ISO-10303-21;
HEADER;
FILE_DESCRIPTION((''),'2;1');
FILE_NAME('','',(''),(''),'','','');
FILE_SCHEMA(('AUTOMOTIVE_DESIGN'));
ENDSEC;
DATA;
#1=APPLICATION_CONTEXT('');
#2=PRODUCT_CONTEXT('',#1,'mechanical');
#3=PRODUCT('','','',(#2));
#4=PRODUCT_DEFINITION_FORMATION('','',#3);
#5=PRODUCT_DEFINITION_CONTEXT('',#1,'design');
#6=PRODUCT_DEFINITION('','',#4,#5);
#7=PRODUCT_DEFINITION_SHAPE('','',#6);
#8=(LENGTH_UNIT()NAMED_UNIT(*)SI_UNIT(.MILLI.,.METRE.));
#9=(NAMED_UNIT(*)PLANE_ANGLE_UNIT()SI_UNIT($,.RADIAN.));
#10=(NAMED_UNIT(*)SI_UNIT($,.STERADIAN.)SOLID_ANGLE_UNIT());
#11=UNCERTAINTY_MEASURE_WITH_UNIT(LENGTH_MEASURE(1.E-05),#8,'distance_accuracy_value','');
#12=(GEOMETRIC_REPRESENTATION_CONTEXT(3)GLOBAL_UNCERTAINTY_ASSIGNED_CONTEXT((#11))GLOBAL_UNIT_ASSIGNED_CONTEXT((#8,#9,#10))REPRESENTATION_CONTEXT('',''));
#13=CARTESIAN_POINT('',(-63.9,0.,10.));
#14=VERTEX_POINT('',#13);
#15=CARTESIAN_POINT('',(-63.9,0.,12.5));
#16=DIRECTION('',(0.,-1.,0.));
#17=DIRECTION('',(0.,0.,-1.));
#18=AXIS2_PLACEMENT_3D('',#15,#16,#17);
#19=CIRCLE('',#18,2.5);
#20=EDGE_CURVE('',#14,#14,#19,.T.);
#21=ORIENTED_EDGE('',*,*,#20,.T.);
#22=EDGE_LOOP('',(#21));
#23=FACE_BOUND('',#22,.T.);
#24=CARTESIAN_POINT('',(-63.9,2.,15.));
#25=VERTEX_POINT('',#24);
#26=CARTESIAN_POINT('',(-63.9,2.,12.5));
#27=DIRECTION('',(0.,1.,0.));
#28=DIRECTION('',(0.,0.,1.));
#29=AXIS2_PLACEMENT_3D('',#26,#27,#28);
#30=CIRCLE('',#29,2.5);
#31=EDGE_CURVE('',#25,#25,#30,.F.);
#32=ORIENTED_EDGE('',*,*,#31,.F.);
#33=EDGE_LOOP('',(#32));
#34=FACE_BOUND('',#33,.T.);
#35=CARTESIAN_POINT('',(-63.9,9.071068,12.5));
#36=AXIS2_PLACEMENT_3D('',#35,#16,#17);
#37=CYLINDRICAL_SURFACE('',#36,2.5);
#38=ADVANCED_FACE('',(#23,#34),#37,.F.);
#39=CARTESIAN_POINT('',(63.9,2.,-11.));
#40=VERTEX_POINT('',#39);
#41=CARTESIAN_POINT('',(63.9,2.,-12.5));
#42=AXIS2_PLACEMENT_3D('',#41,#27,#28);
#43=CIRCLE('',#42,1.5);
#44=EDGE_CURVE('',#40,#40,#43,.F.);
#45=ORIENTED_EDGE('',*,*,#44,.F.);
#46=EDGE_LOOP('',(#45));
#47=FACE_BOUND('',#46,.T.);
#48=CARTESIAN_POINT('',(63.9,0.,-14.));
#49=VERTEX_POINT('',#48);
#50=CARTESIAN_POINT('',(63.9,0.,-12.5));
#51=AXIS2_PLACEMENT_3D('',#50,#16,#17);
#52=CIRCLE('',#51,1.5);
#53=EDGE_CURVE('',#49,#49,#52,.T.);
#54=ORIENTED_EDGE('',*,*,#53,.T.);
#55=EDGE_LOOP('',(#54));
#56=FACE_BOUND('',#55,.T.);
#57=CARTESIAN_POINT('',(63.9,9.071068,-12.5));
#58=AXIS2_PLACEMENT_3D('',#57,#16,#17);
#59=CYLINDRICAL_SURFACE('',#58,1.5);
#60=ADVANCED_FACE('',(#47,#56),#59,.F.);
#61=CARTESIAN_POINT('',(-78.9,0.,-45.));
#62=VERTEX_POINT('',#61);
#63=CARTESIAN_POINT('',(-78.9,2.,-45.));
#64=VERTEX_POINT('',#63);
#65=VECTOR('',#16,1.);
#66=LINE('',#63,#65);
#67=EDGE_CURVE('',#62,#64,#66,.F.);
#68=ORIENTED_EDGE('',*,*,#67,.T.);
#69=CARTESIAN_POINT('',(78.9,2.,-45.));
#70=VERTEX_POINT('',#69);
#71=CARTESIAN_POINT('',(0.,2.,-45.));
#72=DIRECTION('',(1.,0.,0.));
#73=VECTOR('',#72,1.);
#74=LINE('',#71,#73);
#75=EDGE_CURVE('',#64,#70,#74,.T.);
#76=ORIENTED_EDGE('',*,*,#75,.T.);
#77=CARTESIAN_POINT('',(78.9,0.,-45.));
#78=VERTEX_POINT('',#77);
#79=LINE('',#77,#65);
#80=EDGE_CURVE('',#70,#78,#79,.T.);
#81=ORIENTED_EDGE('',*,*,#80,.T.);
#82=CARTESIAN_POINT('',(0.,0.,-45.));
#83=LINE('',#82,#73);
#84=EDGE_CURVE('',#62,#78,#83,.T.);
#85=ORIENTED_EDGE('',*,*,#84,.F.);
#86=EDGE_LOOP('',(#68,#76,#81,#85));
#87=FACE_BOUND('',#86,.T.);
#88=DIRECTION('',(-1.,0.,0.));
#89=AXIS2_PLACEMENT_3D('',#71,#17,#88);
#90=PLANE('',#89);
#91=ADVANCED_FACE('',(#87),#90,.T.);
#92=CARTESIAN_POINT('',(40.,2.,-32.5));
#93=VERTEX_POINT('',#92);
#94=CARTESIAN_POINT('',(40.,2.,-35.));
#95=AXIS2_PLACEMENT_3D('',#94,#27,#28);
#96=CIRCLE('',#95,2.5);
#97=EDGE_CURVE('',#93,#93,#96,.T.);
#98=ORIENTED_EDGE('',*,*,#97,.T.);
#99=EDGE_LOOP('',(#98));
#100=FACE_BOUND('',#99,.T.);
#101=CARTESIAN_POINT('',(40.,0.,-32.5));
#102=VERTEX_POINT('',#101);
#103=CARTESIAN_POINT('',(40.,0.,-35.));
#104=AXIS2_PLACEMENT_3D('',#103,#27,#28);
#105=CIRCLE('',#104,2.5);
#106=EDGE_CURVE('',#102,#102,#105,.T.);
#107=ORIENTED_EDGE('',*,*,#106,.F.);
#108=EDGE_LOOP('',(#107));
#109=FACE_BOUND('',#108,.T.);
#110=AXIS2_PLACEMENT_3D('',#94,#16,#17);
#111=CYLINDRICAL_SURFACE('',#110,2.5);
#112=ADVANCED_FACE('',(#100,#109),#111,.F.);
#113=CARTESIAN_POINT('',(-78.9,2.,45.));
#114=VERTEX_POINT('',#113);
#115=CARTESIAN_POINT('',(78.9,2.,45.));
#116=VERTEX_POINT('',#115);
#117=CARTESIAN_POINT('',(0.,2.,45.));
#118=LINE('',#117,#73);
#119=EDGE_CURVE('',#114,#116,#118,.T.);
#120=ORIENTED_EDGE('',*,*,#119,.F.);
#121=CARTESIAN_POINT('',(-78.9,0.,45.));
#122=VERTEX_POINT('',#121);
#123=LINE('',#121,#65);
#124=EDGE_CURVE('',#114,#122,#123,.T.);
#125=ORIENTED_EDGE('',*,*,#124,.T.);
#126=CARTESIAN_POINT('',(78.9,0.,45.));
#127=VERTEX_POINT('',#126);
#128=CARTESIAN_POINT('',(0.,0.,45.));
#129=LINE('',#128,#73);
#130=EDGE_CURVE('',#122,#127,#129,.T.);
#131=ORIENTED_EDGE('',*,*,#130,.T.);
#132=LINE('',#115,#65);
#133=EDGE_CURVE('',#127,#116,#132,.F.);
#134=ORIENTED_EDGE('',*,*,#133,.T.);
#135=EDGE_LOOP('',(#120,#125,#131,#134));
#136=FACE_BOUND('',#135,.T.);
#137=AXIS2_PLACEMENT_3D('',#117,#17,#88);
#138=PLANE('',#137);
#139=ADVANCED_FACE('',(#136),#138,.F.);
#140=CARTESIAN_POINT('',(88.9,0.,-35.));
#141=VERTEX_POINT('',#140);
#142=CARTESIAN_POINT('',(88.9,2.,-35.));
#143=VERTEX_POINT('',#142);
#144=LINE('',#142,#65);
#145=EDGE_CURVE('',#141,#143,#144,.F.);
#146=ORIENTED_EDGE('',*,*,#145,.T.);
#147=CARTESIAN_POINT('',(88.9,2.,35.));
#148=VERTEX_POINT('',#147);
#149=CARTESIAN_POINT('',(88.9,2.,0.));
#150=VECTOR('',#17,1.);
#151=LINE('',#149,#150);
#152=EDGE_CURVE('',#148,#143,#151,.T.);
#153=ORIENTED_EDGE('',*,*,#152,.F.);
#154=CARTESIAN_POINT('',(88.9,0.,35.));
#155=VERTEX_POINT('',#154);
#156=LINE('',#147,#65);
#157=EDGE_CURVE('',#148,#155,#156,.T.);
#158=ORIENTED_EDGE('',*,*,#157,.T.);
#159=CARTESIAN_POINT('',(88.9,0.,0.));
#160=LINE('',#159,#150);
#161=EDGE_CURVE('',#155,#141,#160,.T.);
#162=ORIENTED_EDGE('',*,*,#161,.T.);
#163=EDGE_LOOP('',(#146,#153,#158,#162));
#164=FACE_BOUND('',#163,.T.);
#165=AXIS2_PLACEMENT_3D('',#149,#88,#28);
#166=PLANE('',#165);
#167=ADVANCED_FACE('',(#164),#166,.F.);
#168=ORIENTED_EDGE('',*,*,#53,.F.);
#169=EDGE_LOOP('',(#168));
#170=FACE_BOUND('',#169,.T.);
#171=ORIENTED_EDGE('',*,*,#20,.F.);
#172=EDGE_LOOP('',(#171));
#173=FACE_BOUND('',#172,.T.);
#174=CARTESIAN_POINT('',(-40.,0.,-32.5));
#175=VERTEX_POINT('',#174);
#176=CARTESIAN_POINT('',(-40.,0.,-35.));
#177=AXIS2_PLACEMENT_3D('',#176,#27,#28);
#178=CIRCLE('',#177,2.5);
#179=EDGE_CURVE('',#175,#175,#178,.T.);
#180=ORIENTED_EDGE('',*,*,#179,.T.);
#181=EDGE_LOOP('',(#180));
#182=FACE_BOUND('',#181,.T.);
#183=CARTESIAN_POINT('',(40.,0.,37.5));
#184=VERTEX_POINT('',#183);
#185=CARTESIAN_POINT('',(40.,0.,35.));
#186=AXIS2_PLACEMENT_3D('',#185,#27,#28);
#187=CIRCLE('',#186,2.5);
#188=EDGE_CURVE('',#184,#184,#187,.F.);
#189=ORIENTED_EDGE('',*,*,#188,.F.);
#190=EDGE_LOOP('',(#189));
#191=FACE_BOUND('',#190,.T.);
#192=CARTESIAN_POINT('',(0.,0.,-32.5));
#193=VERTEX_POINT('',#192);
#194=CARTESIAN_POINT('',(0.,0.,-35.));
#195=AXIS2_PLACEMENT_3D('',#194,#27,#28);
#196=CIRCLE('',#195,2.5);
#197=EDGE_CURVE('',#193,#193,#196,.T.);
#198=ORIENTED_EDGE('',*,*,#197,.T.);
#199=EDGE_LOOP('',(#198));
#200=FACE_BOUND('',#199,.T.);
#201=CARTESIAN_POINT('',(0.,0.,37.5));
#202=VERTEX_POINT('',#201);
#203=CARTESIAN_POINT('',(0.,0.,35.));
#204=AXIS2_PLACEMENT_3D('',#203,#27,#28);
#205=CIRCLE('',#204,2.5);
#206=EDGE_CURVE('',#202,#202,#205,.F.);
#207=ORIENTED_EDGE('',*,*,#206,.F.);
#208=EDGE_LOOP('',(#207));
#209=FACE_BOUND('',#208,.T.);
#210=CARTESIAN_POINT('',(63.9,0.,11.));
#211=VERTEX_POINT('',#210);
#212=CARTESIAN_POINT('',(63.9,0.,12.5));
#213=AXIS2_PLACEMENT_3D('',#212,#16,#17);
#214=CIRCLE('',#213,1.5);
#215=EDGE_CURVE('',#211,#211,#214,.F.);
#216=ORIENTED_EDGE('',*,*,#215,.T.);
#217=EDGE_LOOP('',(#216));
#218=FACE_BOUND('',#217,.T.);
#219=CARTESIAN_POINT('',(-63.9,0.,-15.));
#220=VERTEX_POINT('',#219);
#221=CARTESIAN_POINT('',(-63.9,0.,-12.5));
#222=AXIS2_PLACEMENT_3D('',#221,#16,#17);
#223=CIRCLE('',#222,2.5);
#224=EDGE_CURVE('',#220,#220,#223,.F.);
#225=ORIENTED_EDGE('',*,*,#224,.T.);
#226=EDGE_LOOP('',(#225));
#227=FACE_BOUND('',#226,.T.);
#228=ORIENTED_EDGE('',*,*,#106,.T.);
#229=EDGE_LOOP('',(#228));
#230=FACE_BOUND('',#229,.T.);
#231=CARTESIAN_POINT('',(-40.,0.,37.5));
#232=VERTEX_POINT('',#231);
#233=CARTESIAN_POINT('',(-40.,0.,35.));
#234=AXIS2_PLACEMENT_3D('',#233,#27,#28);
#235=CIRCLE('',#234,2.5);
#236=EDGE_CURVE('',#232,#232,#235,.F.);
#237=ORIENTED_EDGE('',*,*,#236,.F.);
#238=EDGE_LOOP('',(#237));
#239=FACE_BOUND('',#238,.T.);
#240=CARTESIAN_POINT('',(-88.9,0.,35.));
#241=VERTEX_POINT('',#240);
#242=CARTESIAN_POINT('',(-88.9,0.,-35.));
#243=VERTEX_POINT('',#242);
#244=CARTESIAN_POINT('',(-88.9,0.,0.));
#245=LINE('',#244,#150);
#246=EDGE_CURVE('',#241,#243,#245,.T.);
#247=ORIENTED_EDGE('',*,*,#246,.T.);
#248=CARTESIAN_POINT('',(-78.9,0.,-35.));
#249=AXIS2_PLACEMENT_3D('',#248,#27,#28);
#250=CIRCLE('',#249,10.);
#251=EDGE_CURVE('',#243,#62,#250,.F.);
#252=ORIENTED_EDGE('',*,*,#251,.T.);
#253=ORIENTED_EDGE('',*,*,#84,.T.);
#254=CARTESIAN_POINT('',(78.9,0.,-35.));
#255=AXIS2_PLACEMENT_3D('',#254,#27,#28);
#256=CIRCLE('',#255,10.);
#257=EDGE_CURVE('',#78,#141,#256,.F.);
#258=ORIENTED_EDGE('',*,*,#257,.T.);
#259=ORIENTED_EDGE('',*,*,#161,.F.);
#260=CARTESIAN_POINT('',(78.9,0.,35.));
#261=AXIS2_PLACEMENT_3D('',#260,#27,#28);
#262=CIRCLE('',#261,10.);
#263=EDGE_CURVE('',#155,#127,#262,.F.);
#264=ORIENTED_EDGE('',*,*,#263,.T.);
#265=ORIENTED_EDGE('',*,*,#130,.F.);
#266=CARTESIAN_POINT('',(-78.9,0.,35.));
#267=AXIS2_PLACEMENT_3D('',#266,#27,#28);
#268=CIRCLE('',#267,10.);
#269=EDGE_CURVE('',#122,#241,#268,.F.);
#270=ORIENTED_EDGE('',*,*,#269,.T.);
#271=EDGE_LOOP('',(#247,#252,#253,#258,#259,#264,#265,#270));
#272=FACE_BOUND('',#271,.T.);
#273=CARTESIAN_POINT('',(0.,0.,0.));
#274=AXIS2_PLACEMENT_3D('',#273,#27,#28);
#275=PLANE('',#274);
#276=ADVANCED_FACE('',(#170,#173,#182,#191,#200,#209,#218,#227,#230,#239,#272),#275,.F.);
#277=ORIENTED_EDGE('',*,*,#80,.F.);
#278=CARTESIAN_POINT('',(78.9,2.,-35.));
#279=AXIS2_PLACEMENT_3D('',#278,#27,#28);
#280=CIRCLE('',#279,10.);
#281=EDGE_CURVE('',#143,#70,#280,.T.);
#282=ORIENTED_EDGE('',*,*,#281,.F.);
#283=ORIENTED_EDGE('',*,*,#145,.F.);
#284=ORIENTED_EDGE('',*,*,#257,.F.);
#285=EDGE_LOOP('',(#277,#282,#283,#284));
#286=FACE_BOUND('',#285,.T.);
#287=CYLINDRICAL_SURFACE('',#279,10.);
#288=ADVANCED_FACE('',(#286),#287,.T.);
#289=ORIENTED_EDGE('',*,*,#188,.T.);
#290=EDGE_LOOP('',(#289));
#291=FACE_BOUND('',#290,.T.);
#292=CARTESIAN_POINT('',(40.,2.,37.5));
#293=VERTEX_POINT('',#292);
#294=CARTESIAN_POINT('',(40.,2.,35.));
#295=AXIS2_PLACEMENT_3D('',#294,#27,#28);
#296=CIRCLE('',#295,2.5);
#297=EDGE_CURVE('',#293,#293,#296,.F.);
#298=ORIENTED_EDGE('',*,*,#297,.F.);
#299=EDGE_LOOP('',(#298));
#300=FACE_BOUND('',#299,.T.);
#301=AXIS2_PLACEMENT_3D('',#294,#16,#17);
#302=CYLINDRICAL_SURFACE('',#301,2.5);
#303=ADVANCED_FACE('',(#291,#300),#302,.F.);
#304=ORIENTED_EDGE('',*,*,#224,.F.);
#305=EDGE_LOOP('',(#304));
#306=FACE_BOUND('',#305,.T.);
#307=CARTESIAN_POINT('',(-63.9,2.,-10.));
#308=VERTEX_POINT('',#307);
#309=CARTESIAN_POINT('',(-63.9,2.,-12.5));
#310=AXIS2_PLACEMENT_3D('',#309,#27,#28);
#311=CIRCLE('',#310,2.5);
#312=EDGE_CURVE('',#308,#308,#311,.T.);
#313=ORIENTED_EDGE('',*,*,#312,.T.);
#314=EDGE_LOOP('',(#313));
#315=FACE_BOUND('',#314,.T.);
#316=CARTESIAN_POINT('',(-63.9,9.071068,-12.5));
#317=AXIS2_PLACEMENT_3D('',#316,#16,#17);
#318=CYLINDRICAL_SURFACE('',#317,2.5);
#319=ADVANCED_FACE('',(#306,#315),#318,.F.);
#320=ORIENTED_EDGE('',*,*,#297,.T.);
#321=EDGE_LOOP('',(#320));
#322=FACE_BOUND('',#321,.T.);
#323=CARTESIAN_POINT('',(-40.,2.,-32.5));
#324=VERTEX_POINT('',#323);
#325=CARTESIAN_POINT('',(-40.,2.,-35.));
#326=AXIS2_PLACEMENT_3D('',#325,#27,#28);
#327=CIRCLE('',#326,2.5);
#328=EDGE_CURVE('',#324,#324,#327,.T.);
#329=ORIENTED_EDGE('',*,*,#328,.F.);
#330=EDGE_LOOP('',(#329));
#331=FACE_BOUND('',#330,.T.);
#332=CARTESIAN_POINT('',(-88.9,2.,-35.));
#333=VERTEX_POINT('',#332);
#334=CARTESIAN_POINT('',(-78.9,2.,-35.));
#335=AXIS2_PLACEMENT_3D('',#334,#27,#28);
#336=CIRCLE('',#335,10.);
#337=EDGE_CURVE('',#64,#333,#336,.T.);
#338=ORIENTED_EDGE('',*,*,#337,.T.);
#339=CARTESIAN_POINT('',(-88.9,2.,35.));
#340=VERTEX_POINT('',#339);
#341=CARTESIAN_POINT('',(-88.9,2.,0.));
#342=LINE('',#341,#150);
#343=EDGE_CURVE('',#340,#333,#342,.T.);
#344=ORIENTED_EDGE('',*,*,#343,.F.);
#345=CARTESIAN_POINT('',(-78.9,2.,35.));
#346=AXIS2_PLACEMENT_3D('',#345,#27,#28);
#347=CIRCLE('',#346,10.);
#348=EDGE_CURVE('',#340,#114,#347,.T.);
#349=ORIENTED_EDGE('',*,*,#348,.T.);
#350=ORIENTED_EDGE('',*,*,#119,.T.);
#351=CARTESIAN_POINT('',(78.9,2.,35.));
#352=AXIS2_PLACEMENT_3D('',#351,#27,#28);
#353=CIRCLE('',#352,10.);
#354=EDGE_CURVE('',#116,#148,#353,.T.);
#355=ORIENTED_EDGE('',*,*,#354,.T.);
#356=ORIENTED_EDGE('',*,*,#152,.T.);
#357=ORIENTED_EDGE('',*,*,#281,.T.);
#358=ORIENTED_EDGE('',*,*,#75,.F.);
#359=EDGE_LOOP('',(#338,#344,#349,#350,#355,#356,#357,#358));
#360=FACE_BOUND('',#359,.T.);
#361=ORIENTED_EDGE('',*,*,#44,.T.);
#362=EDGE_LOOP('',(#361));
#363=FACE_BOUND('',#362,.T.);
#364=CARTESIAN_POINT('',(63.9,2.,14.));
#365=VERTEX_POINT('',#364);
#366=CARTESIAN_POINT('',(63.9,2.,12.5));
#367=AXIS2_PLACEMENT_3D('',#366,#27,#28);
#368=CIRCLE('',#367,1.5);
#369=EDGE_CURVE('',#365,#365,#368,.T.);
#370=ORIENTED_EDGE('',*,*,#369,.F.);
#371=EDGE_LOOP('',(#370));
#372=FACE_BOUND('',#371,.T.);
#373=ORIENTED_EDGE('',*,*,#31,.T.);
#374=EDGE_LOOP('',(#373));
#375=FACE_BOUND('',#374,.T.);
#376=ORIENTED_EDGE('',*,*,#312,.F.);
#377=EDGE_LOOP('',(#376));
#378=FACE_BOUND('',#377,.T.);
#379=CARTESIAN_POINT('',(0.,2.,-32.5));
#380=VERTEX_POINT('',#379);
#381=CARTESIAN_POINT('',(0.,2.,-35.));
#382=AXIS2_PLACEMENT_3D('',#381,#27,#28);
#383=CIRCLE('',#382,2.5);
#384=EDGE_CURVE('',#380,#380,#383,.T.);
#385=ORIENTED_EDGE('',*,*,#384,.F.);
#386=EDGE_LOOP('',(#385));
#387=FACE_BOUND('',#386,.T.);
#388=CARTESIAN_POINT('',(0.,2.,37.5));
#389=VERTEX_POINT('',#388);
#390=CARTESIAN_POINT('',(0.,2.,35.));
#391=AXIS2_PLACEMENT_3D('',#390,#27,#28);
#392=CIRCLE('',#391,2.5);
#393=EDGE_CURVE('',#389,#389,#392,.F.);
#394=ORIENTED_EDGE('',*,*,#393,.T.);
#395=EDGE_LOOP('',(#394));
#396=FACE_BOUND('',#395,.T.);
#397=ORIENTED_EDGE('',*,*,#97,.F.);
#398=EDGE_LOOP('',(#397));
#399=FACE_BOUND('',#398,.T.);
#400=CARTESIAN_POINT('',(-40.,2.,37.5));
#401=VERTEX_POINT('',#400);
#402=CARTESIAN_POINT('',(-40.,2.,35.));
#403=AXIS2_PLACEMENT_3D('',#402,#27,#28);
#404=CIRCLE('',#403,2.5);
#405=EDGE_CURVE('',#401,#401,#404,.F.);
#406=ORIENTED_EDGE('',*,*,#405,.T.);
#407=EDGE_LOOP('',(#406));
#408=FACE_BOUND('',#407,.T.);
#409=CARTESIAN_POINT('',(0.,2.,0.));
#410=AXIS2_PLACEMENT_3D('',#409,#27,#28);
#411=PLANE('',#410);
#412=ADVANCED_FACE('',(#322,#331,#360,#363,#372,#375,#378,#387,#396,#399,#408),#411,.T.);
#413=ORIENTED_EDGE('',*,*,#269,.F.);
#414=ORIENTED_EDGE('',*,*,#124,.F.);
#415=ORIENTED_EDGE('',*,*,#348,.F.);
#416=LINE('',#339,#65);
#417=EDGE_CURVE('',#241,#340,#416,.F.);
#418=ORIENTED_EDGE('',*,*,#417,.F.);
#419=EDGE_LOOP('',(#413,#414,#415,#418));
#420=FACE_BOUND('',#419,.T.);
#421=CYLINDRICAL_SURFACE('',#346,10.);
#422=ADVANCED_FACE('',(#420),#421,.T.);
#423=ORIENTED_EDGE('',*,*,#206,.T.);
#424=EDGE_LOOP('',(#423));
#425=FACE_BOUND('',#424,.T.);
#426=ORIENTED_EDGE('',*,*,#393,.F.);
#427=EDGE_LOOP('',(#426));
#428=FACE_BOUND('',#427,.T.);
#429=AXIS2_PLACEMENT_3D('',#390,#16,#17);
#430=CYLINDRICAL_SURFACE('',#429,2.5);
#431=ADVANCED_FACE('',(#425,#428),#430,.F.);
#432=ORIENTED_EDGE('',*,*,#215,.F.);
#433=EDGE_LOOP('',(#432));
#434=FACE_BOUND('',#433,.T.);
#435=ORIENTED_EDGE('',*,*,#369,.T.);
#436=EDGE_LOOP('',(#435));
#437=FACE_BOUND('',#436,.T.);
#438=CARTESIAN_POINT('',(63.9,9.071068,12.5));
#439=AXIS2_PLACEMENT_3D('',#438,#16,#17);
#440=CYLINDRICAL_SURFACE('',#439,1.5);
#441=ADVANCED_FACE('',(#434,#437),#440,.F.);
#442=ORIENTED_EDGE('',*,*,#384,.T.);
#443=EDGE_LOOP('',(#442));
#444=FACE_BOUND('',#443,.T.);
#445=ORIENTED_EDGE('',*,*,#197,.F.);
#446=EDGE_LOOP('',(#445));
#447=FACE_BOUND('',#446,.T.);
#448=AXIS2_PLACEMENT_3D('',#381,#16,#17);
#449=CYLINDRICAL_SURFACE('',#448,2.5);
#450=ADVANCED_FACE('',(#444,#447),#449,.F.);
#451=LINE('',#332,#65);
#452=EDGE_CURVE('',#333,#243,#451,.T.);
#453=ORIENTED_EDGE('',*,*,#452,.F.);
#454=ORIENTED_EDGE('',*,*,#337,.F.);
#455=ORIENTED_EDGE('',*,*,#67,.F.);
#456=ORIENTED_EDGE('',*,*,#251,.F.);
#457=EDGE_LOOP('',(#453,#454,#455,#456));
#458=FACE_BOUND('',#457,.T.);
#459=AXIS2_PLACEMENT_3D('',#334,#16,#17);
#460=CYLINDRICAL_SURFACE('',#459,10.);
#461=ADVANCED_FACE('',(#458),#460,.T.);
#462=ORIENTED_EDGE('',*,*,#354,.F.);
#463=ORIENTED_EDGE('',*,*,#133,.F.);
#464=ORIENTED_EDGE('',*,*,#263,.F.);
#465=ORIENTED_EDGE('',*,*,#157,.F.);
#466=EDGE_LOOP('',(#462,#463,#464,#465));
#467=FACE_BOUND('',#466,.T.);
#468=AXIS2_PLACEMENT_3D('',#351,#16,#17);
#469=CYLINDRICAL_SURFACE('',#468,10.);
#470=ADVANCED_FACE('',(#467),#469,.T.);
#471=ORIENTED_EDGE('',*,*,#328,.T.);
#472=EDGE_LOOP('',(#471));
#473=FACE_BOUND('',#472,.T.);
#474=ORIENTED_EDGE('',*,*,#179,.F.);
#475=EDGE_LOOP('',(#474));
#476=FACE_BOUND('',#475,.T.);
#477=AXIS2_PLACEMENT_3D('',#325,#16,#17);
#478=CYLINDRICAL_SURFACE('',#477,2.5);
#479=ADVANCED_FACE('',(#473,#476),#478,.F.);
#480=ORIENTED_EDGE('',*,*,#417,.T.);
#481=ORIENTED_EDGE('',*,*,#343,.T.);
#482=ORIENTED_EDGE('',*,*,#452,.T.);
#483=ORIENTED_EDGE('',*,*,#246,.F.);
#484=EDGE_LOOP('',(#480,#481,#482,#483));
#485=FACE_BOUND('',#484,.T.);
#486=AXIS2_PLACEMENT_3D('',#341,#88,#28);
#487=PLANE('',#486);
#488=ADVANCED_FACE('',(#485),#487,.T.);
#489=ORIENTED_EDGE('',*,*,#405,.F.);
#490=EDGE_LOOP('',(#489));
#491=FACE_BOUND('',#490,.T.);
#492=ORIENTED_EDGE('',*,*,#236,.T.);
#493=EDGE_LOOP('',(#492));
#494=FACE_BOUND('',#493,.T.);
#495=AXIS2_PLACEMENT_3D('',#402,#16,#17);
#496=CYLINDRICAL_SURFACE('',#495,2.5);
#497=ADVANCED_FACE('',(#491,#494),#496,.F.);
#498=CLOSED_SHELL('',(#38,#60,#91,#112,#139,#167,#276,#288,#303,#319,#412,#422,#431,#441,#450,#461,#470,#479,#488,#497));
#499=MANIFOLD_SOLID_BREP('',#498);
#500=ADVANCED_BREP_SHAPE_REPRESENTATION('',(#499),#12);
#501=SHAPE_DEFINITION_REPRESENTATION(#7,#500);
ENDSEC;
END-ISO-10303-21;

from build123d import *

# Parameters (mm, degrees)
SKETCH1_W           = 177.8
SKETCH1_H           = 90
SKETCH1_R           = 2.5
BOSS_EXTRUDE1_DEPTH = 2
FILLET1_R           = 10
SKETCH2_R           = 2.5
SKETCH2_R_2         = 1.5
CUT_EXTRUDE1_DEPTH  = 2


with BuildPart() as part:
    # Sketch1 → Boss-Extrude1 (new body)
    with BuildSketch(Plane(origin=(0, 0, 0), x_dir=(1, 0, 0), z_dir=(0, 1, 0))):
        Rectangle(SKETCH1_W, SKETCH1_H)
        with Locations((0, 35)):
            Circle(SKETCH1_R, mode=Mode.SUBTRACT)
        with Locations((0, -35)):
            Circle(SKETCH1_R, mode=Mode.SUBTRACT)
        with Locations((40, 35)):
            Circle(SKETCH1_R, mode=Mode.SUBTRACT)
        with Locations((40, -35)):
            Circle(SKETCH1_R, mode=Mode.SUBTRACT)
        with Locations((-40, 35)):
            Circle(SKETCH1_R, mode=Mode.SUBTRACT)
        with Locations((-40, -35)):
            Circle(SKETCH1_R, mode=Mode.SUBTRACT)
    extrude(amount=BOSS_EXTRUDE1_DEPTH)

    # Fillet1
    fillet1_edges = [part.edges().sort_by_distance(p)[0] for p in [
        (-88.9, 1, 45),
        (-88.9, 1, -45),
        (88.9, 1, -45),
        (88.9, 1, 45),
    ]]
    fillet(fillet1_edges, radius=FILLET1_R)

    # Sketch2 → Cut-Extrude1 (cut)
    with BuildSketch(Plane.XZ):
        with Locations((-63.9, 12.5)):
            Circle(SKETCH2_R)
        with Locations((-63.9, -12.5)):
            Circle(SKETCH2_R)
        with Locations((63.9, 12.5)):
            Circle(SKETCH2_R_2)
        with Locations((63.9, -12.5)):
            Circle(SKETCH2_R_2)
    extrude(amount=-CUT_EXTRUDE1_DEPTH, mode=Mode.SUBTRACT)


solid = part.part
